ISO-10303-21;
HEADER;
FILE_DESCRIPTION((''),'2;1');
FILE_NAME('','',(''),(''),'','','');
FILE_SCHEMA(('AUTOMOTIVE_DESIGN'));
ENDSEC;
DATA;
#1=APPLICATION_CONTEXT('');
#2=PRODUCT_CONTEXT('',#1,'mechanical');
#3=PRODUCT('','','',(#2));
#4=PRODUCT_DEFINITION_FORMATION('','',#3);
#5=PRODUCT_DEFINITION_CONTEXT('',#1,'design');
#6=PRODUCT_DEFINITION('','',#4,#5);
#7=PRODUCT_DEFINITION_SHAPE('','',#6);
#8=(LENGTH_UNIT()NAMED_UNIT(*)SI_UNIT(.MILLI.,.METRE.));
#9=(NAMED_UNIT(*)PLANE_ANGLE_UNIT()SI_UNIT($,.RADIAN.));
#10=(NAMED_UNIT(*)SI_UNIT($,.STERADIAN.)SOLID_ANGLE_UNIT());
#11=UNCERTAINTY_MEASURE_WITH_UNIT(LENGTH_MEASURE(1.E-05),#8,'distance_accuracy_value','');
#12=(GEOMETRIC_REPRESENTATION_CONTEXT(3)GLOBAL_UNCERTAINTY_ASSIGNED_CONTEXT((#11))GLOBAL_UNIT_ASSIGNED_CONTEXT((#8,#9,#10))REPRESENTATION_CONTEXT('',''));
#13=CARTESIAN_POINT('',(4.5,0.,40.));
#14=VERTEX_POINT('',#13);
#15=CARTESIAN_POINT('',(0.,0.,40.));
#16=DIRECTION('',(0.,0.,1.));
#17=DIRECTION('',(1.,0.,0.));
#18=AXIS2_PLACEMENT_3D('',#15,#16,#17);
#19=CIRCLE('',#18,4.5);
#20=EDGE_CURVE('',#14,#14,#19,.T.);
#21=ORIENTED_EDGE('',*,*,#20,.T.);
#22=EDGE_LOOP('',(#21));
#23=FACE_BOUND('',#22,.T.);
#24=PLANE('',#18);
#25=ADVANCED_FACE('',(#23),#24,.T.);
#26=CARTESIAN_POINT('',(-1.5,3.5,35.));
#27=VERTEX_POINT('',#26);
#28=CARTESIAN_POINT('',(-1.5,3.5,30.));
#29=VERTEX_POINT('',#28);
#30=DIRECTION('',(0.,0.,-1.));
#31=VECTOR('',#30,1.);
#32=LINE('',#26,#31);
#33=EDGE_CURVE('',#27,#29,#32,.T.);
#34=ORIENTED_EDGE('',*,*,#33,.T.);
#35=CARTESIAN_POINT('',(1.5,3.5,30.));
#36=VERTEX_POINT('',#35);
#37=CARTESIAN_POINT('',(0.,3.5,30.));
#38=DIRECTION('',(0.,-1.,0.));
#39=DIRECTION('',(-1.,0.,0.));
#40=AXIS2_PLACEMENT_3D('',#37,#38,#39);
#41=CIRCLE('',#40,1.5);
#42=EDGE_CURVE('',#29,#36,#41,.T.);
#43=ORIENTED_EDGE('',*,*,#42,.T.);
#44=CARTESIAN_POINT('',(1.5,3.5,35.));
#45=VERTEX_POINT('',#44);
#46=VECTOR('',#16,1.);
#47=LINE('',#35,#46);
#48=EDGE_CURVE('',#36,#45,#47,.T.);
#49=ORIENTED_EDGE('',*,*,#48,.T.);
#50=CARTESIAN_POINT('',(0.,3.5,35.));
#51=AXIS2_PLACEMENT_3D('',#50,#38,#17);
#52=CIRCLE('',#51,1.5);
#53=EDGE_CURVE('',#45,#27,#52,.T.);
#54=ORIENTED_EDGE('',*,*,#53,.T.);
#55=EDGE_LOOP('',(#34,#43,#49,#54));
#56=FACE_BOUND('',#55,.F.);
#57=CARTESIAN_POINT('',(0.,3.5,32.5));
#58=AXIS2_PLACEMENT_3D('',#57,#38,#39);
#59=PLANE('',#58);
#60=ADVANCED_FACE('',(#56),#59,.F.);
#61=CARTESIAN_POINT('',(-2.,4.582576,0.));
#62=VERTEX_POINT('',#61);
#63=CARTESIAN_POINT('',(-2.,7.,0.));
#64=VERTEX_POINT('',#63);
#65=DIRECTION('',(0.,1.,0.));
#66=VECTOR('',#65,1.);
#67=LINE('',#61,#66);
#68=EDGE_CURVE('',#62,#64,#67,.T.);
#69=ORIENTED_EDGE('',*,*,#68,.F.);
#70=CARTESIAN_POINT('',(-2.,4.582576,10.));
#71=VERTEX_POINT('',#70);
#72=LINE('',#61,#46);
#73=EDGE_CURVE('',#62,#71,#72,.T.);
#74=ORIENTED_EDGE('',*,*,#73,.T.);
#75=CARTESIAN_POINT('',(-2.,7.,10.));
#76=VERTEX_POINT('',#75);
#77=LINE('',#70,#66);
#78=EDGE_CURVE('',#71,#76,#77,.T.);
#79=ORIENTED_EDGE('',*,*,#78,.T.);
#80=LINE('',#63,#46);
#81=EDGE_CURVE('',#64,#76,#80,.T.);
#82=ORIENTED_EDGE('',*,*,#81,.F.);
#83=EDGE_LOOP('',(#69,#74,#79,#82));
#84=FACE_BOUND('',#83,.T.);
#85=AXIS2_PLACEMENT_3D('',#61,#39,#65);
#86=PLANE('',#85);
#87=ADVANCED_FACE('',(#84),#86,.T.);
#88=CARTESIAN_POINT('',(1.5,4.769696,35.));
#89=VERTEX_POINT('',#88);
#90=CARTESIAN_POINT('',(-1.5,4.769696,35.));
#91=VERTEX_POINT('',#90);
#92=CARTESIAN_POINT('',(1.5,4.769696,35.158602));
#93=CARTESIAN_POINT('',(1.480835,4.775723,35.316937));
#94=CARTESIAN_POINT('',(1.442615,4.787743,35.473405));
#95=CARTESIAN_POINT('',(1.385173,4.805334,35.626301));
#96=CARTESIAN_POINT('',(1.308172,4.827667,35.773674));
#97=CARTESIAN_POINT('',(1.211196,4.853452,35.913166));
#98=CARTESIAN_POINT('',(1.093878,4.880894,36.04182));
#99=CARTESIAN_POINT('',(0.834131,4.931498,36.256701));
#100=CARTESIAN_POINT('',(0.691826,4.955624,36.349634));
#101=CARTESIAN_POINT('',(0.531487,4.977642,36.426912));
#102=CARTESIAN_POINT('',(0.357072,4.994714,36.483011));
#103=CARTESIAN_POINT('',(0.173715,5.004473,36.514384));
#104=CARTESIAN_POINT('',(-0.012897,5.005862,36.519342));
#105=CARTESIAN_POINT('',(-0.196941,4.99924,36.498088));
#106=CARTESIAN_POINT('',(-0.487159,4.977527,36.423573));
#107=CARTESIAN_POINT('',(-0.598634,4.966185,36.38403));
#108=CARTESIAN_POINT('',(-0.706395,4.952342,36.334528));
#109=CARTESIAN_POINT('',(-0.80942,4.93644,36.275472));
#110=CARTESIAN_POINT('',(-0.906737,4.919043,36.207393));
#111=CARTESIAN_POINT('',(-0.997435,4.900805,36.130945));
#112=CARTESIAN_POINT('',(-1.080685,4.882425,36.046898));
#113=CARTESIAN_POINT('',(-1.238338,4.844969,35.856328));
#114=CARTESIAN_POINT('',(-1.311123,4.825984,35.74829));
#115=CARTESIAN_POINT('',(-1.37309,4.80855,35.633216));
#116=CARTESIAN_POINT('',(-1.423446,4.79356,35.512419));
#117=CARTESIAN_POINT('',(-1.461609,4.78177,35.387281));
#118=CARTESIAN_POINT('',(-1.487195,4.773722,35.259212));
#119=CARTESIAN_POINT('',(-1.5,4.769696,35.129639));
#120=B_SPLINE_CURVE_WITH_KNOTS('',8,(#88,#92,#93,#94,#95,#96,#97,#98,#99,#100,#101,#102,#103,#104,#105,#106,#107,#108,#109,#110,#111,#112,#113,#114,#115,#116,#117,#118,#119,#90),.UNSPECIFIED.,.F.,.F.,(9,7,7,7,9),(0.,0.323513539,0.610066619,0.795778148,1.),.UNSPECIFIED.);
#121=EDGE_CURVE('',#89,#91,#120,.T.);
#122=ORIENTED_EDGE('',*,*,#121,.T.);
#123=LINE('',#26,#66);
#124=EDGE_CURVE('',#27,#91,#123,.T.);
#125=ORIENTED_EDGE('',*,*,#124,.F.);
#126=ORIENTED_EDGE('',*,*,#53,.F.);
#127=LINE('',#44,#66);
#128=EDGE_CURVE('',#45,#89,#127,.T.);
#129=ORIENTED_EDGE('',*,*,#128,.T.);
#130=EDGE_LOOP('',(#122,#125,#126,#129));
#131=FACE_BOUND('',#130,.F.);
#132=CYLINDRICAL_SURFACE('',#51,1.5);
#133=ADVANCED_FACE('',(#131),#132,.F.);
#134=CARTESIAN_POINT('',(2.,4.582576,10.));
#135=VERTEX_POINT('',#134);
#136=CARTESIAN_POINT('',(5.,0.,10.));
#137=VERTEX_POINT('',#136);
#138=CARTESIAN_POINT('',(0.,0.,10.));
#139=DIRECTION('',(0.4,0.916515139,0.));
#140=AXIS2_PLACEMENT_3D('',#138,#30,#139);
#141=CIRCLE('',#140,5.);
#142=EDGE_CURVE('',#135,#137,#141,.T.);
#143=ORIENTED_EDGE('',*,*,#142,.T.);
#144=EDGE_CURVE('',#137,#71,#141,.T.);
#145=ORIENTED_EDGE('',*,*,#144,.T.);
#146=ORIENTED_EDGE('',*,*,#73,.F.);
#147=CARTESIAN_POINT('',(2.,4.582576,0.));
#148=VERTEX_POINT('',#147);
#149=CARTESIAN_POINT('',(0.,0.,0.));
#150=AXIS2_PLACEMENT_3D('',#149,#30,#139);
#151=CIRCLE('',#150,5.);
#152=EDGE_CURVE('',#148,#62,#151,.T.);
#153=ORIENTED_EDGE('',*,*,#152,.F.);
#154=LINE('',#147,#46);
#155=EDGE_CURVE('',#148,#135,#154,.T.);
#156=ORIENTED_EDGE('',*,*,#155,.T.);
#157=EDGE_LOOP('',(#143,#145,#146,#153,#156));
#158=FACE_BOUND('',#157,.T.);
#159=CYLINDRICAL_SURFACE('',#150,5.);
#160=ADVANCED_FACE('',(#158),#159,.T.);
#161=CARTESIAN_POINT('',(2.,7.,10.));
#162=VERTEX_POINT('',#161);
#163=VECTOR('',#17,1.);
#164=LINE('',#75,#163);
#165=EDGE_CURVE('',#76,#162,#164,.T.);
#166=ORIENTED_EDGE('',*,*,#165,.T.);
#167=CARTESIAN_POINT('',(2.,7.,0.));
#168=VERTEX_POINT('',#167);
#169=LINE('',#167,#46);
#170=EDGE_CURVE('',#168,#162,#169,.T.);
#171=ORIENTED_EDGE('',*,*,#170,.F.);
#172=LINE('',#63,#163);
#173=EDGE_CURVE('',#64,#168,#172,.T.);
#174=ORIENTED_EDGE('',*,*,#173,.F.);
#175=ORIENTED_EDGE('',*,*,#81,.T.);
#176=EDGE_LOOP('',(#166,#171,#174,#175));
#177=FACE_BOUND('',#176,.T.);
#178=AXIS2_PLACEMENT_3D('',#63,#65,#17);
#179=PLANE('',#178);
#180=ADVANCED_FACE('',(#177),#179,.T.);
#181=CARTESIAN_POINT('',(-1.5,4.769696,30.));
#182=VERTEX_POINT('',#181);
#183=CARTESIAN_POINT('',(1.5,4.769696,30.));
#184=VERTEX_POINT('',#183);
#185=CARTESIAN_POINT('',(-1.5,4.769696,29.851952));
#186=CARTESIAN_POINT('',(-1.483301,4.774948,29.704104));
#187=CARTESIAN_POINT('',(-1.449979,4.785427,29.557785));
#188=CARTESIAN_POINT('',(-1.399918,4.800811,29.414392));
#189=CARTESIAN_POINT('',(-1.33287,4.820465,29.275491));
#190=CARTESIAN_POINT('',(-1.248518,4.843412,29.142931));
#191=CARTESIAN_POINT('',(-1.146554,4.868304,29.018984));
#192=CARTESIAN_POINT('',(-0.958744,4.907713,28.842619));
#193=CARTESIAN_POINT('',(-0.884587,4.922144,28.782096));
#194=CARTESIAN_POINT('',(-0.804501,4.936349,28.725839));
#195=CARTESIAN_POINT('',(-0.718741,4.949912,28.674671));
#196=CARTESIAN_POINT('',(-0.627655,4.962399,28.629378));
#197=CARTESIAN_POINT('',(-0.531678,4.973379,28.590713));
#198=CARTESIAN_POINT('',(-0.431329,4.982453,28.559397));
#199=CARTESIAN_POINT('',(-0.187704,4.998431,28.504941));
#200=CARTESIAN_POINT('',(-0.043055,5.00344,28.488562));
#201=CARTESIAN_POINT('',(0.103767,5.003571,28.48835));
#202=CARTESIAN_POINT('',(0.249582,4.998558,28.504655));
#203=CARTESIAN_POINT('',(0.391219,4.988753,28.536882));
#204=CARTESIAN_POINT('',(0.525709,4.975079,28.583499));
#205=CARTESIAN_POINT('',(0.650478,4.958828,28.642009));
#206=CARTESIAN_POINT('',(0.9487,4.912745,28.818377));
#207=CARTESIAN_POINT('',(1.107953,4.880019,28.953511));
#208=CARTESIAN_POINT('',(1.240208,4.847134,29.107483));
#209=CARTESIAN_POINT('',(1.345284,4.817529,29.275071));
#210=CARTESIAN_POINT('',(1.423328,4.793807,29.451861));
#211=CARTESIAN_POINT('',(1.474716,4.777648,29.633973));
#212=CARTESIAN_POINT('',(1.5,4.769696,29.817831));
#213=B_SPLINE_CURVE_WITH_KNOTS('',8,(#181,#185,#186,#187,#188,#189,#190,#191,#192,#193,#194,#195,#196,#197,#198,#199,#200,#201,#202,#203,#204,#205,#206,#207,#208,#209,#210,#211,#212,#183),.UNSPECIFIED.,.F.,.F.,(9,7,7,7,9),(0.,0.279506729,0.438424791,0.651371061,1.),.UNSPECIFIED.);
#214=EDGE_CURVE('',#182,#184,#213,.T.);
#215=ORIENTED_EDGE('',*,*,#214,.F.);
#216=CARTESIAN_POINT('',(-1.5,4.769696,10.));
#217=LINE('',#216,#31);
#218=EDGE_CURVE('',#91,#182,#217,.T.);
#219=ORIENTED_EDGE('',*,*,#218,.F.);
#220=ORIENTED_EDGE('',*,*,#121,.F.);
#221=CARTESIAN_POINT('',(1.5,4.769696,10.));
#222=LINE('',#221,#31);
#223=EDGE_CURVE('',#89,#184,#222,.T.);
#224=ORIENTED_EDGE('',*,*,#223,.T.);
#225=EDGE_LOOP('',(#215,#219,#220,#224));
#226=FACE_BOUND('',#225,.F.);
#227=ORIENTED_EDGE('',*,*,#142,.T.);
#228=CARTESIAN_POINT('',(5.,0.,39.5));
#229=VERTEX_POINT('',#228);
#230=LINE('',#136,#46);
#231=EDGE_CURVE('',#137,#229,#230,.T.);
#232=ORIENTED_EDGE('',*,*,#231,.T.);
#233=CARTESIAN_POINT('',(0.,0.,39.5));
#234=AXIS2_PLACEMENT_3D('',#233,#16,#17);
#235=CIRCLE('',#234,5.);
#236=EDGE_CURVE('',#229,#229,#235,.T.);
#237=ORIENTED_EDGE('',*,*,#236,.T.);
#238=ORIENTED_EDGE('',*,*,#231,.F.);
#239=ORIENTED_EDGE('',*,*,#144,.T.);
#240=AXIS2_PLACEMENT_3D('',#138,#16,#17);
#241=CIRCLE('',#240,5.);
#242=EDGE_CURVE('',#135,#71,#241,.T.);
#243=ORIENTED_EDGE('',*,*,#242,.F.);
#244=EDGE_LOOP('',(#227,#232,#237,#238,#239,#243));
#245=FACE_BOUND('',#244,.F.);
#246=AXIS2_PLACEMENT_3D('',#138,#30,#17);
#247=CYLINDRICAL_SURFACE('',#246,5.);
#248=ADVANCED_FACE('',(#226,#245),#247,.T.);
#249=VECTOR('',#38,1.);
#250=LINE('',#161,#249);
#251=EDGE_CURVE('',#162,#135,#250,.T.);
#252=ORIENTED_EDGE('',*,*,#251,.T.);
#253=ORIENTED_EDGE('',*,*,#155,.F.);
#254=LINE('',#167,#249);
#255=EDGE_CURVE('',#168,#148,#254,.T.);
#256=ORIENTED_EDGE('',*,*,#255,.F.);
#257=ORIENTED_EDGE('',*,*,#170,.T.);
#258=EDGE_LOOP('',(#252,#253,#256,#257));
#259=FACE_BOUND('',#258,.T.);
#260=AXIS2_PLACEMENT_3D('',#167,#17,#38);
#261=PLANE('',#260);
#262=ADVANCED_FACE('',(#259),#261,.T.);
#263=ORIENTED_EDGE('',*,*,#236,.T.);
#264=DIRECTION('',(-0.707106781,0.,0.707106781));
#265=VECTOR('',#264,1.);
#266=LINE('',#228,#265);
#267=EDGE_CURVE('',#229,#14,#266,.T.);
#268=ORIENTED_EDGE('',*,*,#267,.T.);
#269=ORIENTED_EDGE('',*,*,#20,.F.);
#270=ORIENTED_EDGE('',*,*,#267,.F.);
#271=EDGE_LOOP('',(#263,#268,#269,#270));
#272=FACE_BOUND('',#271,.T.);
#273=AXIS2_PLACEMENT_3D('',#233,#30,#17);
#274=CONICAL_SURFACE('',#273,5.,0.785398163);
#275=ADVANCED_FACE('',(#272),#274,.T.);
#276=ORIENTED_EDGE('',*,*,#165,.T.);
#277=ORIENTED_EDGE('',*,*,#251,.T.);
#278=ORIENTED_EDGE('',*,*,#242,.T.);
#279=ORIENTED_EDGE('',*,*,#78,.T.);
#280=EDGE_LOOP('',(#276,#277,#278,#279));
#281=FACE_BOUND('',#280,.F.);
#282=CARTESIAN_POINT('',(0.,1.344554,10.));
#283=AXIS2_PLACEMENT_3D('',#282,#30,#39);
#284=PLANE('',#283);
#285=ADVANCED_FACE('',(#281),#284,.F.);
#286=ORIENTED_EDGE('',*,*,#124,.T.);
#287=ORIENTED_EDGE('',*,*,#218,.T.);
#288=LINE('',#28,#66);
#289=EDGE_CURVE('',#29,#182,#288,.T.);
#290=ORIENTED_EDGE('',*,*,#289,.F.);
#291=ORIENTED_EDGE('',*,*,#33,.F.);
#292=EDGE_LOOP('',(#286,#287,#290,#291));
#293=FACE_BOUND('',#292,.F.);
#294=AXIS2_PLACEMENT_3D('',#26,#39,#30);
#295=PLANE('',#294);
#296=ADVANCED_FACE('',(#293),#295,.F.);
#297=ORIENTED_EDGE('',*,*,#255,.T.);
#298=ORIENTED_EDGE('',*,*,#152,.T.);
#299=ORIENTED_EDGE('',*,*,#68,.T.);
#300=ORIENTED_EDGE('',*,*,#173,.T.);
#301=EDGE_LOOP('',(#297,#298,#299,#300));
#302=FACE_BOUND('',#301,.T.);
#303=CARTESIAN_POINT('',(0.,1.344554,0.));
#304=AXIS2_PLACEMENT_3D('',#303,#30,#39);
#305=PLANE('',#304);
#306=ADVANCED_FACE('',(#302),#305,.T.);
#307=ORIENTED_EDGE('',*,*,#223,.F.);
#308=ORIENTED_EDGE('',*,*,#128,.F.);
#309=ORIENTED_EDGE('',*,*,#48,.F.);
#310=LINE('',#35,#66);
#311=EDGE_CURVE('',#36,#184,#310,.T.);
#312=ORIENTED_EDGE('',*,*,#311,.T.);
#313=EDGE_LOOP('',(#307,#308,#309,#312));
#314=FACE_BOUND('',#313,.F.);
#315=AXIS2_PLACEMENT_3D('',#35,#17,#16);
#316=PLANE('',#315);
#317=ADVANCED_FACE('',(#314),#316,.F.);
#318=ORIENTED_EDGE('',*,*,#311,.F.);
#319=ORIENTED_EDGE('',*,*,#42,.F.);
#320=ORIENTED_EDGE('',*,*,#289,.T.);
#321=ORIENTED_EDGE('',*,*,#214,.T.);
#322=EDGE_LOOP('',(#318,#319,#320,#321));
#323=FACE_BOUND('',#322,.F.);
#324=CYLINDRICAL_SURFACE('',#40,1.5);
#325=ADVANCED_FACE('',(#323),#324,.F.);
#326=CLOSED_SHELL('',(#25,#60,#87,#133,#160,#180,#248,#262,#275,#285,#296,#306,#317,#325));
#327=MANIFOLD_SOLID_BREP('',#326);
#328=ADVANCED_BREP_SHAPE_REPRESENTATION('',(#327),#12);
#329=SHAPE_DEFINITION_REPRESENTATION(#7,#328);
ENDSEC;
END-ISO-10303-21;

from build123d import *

# Parameters (mm, degrees)
BOSS_EXTRUDE1_DEPTH = 10
SKETCH2_R           = 5
BOSS_EXTRUDE2_DEPTH = 30
CUT_EXTRUDE1_START  = 3.5
CUT_EXTRUDE1_DEPTH  = 4.5
CHAMFER1_SIZE       = 0.5


with BuildPart() as part:
    # Sketch1 → Boss-Extrude1 (new body)
    with BuildSketch(Plane.XY):
        with BuildLine():
            Line((-2, 7), (2, 7))
            Line((2, 7), (2, 4.582575695))
            ThreePointArc((2, 4.582575695), (0, -5), (-2, 4.582575695))
            Line((-2, 4.582575695), (-2, 7))
        make_face()
    extrude(amount=BOSS_EXTRUDE1_DEPTH)

    # Sketch2 → Boss-Extrude2 (add)
    with BuildSketch(Plane.XY.offset(10)):
        Circle(SKETCH2_R)
    extrude(amount=BOSS_EXTRUDE2_DEPTH)

    # Sketch3 → Cut-Extrude1 (cut, through all)
    with BuildSketch(Plane(origin=(0, 0, 0), x_dir=(1, 0, 0), z_dir=(0, 1, 0)).offset(CUT_EXTRUDE1_START)):
        with BuildLine():
            Line((1.5, -30), (1.5, -35))
            ThreePointArc((1.5, -35), (0, -36.5), (-1.5, -35))
            Line((-1.5, -35), (-1.5, -30))
            ThreePointArc((-1.5, -30), (0, -28.5), (1.5, -30))
        make_face()
    extrude(amount=CUT_EXTRUDE1_DEPTH, mode=Mode.SUBTRACT)

    # Chamfer1
    chamfer1_edges = [part.edges().sort_by_distance(p)[0] for p in [
        (-5, 0, 40),
    ]]
    chamfer(chamfer1_edges, length=CHAMFER1_SIZE)


solid = part.part
